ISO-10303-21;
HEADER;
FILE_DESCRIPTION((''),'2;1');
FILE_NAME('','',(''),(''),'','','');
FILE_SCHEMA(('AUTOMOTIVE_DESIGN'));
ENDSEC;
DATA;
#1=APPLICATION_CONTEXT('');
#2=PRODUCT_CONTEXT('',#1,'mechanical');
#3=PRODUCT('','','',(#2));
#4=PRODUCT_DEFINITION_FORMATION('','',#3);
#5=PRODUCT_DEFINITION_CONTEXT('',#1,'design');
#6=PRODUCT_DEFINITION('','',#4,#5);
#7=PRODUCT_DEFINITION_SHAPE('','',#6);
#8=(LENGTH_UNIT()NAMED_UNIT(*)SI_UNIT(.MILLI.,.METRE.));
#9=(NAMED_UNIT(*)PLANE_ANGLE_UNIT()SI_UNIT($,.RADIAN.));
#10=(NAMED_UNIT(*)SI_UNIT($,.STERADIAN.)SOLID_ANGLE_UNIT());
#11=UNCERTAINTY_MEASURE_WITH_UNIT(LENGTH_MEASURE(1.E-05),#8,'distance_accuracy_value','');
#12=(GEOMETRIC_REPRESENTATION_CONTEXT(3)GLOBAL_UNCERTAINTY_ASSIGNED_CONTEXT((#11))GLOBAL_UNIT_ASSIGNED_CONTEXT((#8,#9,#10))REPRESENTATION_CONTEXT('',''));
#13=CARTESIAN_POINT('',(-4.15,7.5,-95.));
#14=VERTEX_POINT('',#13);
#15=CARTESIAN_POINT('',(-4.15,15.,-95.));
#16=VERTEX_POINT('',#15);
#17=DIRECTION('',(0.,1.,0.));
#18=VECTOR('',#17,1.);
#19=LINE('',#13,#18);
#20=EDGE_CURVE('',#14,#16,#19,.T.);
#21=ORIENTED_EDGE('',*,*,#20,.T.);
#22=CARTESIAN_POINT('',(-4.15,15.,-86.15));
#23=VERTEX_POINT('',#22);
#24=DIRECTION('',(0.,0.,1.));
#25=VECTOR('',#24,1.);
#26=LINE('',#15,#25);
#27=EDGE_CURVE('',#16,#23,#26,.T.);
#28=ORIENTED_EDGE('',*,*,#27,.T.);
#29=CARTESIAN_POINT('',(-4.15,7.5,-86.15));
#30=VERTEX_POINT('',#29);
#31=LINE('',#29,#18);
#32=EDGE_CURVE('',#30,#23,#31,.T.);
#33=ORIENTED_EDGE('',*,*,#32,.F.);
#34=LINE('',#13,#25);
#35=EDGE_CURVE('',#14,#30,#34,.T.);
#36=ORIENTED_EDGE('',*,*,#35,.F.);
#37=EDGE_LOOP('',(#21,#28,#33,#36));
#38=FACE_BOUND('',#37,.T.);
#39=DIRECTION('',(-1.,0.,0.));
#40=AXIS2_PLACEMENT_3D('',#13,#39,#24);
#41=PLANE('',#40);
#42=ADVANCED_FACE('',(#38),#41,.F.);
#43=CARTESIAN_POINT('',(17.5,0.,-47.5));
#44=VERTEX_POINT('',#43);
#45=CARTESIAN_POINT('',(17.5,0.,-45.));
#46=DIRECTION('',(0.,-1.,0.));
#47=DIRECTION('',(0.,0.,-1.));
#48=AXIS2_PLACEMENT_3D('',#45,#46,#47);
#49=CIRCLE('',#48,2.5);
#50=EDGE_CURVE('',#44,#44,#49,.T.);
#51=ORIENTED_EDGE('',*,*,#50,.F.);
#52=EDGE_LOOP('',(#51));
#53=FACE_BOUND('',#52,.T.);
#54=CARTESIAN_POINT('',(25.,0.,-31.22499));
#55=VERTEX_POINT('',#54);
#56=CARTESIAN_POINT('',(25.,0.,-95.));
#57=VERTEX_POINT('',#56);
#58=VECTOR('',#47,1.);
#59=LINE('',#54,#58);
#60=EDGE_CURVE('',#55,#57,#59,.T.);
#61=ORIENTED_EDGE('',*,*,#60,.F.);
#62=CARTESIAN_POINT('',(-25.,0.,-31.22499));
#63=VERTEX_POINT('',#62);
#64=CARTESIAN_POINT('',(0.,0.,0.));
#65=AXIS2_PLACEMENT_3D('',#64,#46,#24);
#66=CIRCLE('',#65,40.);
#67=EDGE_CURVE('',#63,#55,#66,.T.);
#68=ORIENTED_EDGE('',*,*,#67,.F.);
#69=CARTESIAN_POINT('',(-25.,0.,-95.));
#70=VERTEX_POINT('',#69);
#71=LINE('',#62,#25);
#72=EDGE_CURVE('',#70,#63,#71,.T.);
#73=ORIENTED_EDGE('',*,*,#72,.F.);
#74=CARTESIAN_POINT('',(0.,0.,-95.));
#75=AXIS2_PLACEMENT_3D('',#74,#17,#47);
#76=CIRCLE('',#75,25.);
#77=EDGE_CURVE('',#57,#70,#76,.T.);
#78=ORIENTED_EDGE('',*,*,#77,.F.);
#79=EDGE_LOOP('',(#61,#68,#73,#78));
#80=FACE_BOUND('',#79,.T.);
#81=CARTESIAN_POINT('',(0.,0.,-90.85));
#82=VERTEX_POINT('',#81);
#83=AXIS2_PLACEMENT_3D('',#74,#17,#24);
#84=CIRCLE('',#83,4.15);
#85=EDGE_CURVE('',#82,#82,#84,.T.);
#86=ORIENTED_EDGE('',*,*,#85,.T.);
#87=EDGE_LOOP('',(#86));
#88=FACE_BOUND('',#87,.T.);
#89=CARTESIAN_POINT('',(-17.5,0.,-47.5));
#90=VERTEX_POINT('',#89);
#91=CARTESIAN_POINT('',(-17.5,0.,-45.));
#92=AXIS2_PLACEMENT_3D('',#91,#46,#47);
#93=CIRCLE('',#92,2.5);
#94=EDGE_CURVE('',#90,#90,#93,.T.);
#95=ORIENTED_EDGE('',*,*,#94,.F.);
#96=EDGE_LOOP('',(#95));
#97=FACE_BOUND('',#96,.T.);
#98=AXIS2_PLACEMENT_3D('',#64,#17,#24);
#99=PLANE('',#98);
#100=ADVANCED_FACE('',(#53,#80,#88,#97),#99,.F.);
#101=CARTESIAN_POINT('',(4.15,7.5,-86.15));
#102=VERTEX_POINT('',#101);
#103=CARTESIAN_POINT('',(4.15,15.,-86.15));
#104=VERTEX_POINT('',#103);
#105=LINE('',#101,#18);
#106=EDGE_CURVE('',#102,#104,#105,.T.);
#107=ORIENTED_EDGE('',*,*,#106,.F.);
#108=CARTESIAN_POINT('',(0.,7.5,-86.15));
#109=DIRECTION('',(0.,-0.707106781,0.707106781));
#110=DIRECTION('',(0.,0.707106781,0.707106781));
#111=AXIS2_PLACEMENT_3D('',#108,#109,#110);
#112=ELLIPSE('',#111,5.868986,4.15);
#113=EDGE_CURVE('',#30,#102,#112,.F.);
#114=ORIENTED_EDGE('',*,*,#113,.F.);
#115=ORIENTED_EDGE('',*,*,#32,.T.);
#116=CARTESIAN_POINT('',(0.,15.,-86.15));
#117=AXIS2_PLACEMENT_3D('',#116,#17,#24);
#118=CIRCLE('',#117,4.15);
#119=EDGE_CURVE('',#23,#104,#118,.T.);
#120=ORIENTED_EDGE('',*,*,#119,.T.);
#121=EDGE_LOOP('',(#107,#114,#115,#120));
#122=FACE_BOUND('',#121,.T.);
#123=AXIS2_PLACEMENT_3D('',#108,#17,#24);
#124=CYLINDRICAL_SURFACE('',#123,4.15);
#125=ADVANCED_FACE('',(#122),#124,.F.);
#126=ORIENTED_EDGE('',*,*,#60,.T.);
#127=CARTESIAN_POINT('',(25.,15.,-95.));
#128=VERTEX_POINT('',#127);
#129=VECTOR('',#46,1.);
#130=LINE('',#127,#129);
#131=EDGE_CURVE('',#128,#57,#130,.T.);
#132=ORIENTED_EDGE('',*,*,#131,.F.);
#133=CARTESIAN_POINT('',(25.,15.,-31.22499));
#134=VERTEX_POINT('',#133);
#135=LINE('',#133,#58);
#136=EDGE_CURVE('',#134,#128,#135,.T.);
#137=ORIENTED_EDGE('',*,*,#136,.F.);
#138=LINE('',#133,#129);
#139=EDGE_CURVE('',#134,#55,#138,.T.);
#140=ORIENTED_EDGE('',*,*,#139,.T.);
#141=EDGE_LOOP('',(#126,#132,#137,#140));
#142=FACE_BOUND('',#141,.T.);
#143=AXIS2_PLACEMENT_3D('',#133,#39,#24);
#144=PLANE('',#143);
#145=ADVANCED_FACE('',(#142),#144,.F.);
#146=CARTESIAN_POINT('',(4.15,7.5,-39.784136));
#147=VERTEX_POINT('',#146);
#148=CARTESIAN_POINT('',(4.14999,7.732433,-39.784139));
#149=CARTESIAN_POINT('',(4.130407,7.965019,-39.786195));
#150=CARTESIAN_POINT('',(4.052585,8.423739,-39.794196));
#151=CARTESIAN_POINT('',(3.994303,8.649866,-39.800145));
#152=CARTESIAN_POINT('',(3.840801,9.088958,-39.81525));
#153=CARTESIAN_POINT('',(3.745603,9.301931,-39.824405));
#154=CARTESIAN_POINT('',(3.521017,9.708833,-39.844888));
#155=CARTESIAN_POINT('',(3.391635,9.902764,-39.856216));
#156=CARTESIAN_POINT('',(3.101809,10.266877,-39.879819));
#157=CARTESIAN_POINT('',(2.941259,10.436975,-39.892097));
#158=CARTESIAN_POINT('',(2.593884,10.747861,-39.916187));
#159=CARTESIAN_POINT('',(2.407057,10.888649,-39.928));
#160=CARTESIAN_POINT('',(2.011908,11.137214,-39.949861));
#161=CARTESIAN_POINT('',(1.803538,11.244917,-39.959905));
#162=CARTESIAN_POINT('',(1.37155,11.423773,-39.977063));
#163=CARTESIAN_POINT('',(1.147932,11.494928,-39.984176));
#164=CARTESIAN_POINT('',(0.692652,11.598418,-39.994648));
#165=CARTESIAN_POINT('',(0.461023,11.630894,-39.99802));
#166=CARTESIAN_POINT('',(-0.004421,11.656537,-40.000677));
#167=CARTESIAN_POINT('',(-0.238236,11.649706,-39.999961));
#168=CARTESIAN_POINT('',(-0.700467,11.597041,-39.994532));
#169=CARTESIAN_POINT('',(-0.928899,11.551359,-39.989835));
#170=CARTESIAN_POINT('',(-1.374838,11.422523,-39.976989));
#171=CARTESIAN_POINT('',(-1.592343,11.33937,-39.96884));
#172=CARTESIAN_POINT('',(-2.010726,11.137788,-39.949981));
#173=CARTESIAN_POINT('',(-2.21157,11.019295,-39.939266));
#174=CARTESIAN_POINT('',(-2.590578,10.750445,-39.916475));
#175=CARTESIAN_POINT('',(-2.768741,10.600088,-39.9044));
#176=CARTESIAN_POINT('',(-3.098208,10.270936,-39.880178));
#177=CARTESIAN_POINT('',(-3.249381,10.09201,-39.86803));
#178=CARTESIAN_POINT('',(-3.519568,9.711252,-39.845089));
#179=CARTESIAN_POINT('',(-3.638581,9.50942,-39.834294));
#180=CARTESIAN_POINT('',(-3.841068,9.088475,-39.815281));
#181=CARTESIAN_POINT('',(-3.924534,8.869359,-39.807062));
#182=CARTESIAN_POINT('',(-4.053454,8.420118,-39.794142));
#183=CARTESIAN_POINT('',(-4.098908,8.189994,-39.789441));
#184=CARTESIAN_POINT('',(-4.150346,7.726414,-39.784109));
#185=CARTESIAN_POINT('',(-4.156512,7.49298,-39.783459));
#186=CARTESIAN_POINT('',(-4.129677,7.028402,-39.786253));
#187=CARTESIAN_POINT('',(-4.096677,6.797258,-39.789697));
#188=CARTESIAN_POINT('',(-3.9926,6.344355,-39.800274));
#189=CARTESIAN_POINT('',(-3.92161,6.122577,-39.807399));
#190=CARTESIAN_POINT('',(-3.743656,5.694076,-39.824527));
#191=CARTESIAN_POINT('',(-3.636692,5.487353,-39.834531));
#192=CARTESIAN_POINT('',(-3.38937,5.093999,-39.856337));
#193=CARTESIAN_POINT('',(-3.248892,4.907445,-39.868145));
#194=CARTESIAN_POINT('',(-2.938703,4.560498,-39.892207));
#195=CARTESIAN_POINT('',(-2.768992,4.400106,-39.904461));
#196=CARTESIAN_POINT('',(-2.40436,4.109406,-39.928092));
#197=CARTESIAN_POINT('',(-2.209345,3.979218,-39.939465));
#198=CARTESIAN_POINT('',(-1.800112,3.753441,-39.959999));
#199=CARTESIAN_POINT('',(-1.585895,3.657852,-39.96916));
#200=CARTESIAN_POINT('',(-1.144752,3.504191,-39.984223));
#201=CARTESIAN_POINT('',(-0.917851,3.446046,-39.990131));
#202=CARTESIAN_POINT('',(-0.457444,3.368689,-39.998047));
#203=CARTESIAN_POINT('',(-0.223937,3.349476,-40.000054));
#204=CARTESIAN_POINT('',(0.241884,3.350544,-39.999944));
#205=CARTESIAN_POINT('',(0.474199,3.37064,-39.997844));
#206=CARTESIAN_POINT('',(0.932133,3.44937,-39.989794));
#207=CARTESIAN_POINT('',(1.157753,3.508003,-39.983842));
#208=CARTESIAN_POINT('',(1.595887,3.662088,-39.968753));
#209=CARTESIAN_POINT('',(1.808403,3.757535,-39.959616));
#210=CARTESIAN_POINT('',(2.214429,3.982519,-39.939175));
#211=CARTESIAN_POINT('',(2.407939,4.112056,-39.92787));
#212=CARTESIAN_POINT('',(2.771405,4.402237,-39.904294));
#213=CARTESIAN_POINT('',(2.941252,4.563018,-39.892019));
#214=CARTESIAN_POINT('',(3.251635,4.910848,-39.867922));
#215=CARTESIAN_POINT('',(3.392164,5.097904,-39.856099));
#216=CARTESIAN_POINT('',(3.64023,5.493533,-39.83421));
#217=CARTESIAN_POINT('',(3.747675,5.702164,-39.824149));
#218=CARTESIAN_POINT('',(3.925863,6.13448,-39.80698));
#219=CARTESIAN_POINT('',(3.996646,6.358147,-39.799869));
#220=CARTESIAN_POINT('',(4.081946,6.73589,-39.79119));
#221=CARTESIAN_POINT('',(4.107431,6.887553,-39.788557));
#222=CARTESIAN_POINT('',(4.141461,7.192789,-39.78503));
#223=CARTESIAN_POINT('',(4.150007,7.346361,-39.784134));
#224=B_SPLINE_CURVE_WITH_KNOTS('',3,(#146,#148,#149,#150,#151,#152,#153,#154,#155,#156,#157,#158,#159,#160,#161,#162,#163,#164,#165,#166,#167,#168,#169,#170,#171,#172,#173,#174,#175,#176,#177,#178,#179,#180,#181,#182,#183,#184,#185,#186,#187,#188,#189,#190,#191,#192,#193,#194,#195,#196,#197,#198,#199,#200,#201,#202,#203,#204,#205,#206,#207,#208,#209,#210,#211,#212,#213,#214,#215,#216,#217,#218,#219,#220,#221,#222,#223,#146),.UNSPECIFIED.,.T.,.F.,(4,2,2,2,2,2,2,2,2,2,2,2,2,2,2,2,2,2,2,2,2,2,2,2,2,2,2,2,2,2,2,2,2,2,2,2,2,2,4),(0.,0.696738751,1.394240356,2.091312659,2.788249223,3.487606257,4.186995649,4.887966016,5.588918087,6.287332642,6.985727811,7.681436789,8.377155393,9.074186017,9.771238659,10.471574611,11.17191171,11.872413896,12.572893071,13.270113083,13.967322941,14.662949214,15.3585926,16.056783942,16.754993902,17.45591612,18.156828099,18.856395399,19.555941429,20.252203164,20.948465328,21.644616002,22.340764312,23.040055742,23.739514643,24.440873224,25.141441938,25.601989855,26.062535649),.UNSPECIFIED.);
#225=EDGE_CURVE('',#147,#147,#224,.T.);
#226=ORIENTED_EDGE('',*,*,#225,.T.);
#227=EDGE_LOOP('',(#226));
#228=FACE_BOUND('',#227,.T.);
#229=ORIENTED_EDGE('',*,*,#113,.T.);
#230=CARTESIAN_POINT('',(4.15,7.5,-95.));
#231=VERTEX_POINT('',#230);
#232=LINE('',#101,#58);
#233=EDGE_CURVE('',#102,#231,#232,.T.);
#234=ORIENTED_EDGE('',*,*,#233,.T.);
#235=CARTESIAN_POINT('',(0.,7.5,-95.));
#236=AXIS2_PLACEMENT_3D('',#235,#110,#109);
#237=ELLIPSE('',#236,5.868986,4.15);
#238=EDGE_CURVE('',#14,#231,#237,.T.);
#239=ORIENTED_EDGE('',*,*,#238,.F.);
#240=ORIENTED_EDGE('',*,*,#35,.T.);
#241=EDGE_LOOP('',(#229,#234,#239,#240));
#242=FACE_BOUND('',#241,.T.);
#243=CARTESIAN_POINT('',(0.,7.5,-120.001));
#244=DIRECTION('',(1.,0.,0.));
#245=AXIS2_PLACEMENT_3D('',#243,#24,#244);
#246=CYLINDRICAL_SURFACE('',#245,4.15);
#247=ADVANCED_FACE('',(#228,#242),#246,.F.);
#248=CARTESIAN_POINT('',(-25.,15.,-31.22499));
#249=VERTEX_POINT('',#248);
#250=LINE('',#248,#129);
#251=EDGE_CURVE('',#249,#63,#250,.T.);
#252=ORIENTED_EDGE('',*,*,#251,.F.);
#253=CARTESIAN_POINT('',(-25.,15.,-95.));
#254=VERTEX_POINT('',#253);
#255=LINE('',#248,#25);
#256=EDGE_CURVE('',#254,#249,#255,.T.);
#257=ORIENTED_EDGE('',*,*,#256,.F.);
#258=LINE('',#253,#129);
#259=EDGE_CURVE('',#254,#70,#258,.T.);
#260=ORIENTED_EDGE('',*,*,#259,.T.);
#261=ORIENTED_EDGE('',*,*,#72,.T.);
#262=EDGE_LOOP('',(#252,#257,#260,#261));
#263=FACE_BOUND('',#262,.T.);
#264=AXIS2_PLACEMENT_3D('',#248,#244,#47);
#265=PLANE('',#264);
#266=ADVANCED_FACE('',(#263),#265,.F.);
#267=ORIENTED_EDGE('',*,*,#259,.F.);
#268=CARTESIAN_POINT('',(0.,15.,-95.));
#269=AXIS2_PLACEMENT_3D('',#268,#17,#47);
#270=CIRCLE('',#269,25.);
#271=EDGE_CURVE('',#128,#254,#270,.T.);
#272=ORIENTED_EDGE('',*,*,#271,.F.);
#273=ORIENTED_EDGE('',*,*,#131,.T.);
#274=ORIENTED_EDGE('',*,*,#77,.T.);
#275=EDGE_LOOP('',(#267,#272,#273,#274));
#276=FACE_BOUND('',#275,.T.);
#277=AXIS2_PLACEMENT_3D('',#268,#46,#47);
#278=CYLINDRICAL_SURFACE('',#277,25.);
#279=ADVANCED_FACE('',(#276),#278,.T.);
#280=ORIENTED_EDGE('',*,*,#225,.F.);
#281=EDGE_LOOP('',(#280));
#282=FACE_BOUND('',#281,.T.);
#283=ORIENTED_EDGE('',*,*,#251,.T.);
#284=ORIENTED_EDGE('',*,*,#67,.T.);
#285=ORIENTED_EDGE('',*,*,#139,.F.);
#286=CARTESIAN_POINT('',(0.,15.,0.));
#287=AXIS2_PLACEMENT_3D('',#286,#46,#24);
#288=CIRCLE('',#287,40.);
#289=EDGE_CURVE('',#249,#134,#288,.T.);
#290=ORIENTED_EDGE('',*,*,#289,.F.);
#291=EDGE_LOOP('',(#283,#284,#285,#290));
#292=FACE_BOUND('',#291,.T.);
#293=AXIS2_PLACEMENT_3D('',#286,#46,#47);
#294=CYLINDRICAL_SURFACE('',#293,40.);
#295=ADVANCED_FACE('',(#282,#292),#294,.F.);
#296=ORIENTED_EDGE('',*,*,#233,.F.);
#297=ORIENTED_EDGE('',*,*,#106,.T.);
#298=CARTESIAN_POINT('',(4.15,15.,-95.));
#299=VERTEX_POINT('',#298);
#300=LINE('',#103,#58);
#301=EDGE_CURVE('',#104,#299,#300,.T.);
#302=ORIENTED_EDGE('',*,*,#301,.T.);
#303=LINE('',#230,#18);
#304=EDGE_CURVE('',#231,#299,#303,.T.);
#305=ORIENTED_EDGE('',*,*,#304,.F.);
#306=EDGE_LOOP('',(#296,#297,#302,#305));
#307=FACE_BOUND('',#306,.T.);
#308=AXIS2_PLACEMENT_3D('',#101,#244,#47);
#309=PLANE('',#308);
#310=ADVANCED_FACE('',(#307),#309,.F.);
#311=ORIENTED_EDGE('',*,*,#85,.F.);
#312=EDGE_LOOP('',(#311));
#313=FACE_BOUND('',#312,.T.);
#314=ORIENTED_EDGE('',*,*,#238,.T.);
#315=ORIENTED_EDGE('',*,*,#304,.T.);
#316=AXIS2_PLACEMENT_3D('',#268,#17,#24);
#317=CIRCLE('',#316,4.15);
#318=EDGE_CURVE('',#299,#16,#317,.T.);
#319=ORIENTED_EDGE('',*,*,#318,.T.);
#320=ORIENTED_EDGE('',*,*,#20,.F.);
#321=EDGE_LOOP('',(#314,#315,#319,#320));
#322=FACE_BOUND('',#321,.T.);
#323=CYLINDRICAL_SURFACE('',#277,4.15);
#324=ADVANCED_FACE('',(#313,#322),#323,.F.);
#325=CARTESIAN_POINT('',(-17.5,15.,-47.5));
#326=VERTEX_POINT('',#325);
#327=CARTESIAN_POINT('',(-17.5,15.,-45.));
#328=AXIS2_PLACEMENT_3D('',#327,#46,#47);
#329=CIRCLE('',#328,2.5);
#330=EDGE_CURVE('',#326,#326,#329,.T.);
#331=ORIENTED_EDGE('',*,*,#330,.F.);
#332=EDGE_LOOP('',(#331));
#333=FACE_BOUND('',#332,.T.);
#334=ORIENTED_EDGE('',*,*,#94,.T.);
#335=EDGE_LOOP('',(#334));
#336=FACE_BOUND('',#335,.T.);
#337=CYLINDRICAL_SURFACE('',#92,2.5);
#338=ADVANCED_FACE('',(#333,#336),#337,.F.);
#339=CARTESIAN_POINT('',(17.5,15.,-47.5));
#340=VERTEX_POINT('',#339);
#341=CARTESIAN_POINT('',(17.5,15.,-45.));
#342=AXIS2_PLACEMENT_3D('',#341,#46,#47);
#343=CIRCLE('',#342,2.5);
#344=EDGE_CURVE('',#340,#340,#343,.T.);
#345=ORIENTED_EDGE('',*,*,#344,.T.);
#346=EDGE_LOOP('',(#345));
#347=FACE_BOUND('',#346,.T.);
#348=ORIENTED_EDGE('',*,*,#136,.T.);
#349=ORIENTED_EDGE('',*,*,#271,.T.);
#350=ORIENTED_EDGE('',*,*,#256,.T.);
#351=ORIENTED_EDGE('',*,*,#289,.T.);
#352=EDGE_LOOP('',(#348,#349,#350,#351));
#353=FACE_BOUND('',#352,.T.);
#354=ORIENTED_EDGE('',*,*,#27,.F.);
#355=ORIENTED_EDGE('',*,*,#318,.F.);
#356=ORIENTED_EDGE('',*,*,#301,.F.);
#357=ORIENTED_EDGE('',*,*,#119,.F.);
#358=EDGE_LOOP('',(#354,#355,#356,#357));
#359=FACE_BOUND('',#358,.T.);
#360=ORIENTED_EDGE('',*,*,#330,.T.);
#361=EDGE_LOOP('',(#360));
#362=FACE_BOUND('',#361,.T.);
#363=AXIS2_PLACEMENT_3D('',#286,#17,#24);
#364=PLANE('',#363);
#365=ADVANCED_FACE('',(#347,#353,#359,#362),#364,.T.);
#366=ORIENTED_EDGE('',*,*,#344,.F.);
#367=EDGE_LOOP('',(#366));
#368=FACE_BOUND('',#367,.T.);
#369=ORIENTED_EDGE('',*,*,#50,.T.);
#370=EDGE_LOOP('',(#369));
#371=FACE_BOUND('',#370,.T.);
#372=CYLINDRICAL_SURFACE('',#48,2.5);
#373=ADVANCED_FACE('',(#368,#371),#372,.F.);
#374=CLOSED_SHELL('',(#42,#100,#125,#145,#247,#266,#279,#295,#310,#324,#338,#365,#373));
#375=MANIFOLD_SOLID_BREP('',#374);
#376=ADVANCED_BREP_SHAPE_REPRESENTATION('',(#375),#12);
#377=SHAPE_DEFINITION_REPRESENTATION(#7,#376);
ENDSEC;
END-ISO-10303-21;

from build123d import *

# Parameters (mm, degrees)
ESQUISSE1_R                  = 4.15
BOSS_EXTRU_1_DEPTH           = 15
ENL_V_MAT_EXTRU_1_REACH      = 122
ENL_V_MAT_EXTRU_1_END_RADIUS = 4.15
ESQUISSE2_R                  = 4.15
ENL_V_MAT_EXTRU_2_DEPTH      = 7.5
TROU_TARAUD_M6X1_01_D        = 5


with BuildPart() as part:
    # Esquisse1 → Boss.-Extru.1 (new body)
    with BuildSketch(Plane(origin=(0, 0, 0), x_dir=(1, 0, 0), z_dir=(0, 1, 0))):
        with BuildLine():
            Line((25, 31.224989992), (25, 95))
            ThreePointArc((25, 95), (0, 120), (-25, 95))
            Line((-25, 95), (-25, 31.224989992))
            ThreePointArc((-25, 31.224989992), (0, 40), (25, 31.224989992))
        make_face()
        with Locations(Location((0, 95, 0), (0, 0, 270))):  # turned: the seam where the file's is
            Circle(ESQUISSE1_R, mode=Mode.SUBTRACT)
    extrude(amount=BOSS_EXTRU_1_DEPTH)

    # Enlèv. mat.-Extru.1: up to this cylinder (the profile starts outside it)
    enl_v_mat_extru_1_end = Plane(origin=(0, 7.5, -95), z_dir=(0, -1, 0)) * Cylinder(ENL_V_MAT_EXTRU_1_END_RADIUS, 253.3, mode=Mode.PRIVATE)
    # Esquisse2 → Enlèv. mat.-Extru.1 (cut, up to the surface)
    with BuildSketch(Plane.XY, mode=Mode.PRIVATE) as enl_v_mat_extru_1_sk1:
        with Locations((0, 7.5)):
            Circle(ESQUISSE2_R)
    enl_v_mat_extru_1_tool1 = extrude(enl_v_mat_extru_1_sk1.sketch, amount=-ENL_V_MAT_EXTRU_1_REACH, mode=Mode.PRIVATE) - enl_v_mat_extru_1_end
    add(enl_v_mat_extru_1_tool1.solids().sort_by_distance((0, 7.5, 0))[0], mode=Mode.SUBTRACT)

    # Esquisse3 → Enlèv. mat.-Extru.2 (cut)
    with BuildSketch(Plane(origin=(0, 15, 0), x_dir=(-1, 0, 0), z_dir=(0, 1, 0))):
        with BuildLine():
            Line((4.15, -95), (4.15, -86.15))
            ThreePointArc((4.15, -86.15), (0, -82), (-4.15, -86.15))
            Line((-4.15, -86.15), (-4.15, -95))
            ThreePointArc((-4.15, -95), (0, -99.15), (4.15, -95))
        make_face()
    extrude(amount=-ENL_V_MAT_EXTRU_2_DEPTH, mode=Mode.SUBTRACT)

    # Trou taraudé M6x1.01 (through all)
    with Locations(Plane.XZ):
        with Locations((17.5, -45), (-17.5, -45)):
            Hole(TROU_TARAUD_M6X1_01_D / 2)


solid = part.part
